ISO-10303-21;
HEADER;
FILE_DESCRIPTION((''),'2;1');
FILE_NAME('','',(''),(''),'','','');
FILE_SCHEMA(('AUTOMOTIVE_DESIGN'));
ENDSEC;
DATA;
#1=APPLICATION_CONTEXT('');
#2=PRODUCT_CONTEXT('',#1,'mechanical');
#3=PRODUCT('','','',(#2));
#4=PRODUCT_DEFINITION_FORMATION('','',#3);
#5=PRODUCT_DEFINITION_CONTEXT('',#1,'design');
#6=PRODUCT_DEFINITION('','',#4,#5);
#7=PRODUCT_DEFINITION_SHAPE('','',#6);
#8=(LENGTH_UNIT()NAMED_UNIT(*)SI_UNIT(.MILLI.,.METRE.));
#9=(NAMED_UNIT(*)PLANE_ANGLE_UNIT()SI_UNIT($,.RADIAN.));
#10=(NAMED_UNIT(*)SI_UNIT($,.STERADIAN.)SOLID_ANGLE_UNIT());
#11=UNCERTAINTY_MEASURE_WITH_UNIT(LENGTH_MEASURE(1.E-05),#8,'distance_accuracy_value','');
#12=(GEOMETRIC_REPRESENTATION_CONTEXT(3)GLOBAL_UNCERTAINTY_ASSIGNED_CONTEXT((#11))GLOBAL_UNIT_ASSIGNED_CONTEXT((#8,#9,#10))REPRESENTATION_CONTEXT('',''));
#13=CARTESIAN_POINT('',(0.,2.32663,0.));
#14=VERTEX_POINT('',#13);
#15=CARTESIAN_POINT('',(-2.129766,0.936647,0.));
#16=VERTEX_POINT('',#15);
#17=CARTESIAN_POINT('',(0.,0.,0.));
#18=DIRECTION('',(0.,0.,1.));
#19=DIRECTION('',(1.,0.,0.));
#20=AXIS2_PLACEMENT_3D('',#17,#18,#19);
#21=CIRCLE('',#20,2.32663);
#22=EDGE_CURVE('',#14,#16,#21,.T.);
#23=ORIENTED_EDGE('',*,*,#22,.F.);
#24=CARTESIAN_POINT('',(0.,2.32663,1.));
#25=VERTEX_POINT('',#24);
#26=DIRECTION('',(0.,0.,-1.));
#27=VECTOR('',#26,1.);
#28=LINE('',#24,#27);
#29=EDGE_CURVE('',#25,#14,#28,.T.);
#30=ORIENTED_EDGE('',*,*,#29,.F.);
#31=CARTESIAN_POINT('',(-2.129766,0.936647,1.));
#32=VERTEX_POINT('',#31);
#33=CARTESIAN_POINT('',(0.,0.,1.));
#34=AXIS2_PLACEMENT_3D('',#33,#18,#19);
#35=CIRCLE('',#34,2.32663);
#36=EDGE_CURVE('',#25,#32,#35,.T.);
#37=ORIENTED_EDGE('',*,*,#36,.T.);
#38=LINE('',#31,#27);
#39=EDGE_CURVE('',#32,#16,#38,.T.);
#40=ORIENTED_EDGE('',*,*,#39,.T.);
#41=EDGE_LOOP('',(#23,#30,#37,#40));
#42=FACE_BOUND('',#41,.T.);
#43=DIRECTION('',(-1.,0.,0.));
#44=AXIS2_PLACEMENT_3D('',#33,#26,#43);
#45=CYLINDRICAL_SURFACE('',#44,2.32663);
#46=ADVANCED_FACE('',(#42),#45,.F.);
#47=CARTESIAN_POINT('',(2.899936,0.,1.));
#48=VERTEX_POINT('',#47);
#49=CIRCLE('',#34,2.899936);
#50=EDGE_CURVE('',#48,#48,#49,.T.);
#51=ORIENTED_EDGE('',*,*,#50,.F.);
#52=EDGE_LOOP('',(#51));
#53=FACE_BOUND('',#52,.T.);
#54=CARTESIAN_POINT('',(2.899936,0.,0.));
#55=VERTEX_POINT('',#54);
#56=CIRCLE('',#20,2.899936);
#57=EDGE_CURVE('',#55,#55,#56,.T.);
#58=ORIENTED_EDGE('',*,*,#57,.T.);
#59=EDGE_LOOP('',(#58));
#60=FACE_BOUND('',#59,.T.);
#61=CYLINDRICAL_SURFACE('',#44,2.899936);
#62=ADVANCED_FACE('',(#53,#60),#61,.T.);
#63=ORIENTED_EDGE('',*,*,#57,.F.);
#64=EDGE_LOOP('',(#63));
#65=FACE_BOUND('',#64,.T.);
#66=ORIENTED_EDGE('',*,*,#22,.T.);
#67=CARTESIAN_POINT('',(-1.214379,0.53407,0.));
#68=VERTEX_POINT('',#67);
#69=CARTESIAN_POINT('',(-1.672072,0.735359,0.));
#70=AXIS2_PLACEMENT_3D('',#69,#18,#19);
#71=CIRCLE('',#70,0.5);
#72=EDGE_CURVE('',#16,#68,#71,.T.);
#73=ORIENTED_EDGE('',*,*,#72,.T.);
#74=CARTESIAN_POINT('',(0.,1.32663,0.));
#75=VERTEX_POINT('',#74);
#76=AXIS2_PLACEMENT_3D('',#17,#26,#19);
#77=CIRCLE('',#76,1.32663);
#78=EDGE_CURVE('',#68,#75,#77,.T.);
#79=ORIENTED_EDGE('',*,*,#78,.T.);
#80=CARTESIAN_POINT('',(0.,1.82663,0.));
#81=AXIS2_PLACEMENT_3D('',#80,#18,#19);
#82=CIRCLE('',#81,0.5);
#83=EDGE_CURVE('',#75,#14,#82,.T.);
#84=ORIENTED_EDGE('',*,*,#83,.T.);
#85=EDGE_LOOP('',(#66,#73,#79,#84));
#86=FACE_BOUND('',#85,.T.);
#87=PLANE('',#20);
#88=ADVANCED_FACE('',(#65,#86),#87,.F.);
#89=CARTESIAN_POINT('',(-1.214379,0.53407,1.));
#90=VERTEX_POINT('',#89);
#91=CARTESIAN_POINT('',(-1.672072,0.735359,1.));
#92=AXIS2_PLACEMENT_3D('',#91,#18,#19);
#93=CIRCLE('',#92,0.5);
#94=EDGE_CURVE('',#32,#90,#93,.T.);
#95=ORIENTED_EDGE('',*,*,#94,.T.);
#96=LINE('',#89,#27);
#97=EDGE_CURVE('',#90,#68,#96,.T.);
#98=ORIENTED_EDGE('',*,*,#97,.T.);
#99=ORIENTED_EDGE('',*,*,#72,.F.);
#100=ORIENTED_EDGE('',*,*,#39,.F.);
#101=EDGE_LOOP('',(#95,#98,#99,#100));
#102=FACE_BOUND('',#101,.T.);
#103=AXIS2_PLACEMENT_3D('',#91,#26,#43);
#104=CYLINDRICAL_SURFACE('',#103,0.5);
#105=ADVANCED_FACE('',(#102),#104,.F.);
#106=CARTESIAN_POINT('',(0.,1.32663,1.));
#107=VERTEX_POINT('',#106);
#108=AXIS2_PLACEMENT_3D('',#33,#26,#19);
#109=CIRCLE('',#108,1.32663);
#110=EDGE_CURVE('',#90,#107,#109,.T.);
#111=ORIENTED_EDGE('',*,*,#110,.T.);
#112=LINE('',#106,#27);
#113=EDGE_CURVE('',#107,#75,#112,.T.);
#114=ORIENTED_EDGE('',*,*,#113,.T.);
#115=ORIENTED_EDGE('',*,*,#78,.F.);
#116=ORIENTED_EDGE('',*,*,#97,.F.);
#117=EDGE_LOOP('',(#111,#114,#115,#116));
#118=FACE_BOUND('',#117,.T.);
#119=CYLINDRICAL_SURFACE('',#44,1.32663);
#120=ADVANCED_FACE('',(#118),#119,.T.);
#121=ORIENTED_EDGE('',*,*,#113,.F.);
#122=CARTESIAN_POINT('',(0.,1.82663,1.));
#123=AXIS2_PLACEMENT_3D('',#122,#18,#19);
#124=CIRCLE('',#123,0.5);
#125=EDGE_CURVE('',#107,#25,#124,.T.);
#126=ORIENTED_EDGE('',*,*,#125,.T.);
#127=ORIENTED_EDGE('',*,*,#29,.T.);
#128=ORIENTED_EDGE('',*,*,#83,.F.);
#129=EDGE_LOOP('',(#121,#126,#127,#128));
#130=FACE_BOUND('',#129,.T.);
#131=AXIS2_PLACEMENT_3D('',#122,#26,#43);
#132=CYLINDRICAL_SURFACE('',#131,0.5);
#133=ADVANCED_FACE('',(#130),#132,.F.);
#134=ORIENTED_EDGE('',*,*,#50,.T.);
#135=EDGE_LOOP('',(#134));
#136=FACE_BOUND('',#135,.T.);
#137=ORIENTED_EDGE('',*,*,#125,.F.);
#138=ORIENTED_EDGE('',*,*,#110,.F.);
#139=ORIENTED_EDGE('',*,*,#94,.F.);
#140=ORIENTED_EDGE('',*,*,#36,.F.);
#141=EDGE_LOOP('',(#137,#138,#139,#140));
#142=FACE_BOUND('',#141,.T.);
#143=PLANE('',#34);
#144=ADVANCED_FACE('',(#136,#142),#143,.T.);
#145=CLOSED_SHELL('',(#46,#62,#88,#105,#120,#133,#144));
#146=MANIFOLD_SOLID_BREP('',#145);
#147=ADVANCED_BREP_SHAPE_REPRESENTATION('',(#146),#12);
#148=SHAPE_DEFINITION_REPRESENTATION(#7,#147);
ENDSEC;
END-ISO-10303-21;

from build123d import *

# Parameters (mm, degrees)
SKETCH_1_R      = 2.899935842
EXTRUDE_1_DEPTH = 1


with BuildPart() as part:
    # 草圖1 → 填料-伸長1 (new body)
    with BuildSketch(Plane.XY):
        Circle(SKETCH_1_R)
        with BuildLine():
            ThreePointArc((0, 2.326630403), (-1.271608832, 1.94838908), (-2.129765657, 0.936646827))
            ThreePointArc((-2.129765657, 0.936646827), (-1.873360766, 0.277665392), (-1.21437933, 0.534070283))
            ThreePointArc((-1.21437933, 0.534070283), (-0.725063566, 1.110959518), (0, 1.326630403))
            ThreePointArc((0, 1.326630403), (0.5, 1.826630403), (0, 2.326630403))
        make_face(mode=Mode.SUBTRACT)
    extrude(amount=EXTRUDE_1_DEPTH)


solid = part.part
